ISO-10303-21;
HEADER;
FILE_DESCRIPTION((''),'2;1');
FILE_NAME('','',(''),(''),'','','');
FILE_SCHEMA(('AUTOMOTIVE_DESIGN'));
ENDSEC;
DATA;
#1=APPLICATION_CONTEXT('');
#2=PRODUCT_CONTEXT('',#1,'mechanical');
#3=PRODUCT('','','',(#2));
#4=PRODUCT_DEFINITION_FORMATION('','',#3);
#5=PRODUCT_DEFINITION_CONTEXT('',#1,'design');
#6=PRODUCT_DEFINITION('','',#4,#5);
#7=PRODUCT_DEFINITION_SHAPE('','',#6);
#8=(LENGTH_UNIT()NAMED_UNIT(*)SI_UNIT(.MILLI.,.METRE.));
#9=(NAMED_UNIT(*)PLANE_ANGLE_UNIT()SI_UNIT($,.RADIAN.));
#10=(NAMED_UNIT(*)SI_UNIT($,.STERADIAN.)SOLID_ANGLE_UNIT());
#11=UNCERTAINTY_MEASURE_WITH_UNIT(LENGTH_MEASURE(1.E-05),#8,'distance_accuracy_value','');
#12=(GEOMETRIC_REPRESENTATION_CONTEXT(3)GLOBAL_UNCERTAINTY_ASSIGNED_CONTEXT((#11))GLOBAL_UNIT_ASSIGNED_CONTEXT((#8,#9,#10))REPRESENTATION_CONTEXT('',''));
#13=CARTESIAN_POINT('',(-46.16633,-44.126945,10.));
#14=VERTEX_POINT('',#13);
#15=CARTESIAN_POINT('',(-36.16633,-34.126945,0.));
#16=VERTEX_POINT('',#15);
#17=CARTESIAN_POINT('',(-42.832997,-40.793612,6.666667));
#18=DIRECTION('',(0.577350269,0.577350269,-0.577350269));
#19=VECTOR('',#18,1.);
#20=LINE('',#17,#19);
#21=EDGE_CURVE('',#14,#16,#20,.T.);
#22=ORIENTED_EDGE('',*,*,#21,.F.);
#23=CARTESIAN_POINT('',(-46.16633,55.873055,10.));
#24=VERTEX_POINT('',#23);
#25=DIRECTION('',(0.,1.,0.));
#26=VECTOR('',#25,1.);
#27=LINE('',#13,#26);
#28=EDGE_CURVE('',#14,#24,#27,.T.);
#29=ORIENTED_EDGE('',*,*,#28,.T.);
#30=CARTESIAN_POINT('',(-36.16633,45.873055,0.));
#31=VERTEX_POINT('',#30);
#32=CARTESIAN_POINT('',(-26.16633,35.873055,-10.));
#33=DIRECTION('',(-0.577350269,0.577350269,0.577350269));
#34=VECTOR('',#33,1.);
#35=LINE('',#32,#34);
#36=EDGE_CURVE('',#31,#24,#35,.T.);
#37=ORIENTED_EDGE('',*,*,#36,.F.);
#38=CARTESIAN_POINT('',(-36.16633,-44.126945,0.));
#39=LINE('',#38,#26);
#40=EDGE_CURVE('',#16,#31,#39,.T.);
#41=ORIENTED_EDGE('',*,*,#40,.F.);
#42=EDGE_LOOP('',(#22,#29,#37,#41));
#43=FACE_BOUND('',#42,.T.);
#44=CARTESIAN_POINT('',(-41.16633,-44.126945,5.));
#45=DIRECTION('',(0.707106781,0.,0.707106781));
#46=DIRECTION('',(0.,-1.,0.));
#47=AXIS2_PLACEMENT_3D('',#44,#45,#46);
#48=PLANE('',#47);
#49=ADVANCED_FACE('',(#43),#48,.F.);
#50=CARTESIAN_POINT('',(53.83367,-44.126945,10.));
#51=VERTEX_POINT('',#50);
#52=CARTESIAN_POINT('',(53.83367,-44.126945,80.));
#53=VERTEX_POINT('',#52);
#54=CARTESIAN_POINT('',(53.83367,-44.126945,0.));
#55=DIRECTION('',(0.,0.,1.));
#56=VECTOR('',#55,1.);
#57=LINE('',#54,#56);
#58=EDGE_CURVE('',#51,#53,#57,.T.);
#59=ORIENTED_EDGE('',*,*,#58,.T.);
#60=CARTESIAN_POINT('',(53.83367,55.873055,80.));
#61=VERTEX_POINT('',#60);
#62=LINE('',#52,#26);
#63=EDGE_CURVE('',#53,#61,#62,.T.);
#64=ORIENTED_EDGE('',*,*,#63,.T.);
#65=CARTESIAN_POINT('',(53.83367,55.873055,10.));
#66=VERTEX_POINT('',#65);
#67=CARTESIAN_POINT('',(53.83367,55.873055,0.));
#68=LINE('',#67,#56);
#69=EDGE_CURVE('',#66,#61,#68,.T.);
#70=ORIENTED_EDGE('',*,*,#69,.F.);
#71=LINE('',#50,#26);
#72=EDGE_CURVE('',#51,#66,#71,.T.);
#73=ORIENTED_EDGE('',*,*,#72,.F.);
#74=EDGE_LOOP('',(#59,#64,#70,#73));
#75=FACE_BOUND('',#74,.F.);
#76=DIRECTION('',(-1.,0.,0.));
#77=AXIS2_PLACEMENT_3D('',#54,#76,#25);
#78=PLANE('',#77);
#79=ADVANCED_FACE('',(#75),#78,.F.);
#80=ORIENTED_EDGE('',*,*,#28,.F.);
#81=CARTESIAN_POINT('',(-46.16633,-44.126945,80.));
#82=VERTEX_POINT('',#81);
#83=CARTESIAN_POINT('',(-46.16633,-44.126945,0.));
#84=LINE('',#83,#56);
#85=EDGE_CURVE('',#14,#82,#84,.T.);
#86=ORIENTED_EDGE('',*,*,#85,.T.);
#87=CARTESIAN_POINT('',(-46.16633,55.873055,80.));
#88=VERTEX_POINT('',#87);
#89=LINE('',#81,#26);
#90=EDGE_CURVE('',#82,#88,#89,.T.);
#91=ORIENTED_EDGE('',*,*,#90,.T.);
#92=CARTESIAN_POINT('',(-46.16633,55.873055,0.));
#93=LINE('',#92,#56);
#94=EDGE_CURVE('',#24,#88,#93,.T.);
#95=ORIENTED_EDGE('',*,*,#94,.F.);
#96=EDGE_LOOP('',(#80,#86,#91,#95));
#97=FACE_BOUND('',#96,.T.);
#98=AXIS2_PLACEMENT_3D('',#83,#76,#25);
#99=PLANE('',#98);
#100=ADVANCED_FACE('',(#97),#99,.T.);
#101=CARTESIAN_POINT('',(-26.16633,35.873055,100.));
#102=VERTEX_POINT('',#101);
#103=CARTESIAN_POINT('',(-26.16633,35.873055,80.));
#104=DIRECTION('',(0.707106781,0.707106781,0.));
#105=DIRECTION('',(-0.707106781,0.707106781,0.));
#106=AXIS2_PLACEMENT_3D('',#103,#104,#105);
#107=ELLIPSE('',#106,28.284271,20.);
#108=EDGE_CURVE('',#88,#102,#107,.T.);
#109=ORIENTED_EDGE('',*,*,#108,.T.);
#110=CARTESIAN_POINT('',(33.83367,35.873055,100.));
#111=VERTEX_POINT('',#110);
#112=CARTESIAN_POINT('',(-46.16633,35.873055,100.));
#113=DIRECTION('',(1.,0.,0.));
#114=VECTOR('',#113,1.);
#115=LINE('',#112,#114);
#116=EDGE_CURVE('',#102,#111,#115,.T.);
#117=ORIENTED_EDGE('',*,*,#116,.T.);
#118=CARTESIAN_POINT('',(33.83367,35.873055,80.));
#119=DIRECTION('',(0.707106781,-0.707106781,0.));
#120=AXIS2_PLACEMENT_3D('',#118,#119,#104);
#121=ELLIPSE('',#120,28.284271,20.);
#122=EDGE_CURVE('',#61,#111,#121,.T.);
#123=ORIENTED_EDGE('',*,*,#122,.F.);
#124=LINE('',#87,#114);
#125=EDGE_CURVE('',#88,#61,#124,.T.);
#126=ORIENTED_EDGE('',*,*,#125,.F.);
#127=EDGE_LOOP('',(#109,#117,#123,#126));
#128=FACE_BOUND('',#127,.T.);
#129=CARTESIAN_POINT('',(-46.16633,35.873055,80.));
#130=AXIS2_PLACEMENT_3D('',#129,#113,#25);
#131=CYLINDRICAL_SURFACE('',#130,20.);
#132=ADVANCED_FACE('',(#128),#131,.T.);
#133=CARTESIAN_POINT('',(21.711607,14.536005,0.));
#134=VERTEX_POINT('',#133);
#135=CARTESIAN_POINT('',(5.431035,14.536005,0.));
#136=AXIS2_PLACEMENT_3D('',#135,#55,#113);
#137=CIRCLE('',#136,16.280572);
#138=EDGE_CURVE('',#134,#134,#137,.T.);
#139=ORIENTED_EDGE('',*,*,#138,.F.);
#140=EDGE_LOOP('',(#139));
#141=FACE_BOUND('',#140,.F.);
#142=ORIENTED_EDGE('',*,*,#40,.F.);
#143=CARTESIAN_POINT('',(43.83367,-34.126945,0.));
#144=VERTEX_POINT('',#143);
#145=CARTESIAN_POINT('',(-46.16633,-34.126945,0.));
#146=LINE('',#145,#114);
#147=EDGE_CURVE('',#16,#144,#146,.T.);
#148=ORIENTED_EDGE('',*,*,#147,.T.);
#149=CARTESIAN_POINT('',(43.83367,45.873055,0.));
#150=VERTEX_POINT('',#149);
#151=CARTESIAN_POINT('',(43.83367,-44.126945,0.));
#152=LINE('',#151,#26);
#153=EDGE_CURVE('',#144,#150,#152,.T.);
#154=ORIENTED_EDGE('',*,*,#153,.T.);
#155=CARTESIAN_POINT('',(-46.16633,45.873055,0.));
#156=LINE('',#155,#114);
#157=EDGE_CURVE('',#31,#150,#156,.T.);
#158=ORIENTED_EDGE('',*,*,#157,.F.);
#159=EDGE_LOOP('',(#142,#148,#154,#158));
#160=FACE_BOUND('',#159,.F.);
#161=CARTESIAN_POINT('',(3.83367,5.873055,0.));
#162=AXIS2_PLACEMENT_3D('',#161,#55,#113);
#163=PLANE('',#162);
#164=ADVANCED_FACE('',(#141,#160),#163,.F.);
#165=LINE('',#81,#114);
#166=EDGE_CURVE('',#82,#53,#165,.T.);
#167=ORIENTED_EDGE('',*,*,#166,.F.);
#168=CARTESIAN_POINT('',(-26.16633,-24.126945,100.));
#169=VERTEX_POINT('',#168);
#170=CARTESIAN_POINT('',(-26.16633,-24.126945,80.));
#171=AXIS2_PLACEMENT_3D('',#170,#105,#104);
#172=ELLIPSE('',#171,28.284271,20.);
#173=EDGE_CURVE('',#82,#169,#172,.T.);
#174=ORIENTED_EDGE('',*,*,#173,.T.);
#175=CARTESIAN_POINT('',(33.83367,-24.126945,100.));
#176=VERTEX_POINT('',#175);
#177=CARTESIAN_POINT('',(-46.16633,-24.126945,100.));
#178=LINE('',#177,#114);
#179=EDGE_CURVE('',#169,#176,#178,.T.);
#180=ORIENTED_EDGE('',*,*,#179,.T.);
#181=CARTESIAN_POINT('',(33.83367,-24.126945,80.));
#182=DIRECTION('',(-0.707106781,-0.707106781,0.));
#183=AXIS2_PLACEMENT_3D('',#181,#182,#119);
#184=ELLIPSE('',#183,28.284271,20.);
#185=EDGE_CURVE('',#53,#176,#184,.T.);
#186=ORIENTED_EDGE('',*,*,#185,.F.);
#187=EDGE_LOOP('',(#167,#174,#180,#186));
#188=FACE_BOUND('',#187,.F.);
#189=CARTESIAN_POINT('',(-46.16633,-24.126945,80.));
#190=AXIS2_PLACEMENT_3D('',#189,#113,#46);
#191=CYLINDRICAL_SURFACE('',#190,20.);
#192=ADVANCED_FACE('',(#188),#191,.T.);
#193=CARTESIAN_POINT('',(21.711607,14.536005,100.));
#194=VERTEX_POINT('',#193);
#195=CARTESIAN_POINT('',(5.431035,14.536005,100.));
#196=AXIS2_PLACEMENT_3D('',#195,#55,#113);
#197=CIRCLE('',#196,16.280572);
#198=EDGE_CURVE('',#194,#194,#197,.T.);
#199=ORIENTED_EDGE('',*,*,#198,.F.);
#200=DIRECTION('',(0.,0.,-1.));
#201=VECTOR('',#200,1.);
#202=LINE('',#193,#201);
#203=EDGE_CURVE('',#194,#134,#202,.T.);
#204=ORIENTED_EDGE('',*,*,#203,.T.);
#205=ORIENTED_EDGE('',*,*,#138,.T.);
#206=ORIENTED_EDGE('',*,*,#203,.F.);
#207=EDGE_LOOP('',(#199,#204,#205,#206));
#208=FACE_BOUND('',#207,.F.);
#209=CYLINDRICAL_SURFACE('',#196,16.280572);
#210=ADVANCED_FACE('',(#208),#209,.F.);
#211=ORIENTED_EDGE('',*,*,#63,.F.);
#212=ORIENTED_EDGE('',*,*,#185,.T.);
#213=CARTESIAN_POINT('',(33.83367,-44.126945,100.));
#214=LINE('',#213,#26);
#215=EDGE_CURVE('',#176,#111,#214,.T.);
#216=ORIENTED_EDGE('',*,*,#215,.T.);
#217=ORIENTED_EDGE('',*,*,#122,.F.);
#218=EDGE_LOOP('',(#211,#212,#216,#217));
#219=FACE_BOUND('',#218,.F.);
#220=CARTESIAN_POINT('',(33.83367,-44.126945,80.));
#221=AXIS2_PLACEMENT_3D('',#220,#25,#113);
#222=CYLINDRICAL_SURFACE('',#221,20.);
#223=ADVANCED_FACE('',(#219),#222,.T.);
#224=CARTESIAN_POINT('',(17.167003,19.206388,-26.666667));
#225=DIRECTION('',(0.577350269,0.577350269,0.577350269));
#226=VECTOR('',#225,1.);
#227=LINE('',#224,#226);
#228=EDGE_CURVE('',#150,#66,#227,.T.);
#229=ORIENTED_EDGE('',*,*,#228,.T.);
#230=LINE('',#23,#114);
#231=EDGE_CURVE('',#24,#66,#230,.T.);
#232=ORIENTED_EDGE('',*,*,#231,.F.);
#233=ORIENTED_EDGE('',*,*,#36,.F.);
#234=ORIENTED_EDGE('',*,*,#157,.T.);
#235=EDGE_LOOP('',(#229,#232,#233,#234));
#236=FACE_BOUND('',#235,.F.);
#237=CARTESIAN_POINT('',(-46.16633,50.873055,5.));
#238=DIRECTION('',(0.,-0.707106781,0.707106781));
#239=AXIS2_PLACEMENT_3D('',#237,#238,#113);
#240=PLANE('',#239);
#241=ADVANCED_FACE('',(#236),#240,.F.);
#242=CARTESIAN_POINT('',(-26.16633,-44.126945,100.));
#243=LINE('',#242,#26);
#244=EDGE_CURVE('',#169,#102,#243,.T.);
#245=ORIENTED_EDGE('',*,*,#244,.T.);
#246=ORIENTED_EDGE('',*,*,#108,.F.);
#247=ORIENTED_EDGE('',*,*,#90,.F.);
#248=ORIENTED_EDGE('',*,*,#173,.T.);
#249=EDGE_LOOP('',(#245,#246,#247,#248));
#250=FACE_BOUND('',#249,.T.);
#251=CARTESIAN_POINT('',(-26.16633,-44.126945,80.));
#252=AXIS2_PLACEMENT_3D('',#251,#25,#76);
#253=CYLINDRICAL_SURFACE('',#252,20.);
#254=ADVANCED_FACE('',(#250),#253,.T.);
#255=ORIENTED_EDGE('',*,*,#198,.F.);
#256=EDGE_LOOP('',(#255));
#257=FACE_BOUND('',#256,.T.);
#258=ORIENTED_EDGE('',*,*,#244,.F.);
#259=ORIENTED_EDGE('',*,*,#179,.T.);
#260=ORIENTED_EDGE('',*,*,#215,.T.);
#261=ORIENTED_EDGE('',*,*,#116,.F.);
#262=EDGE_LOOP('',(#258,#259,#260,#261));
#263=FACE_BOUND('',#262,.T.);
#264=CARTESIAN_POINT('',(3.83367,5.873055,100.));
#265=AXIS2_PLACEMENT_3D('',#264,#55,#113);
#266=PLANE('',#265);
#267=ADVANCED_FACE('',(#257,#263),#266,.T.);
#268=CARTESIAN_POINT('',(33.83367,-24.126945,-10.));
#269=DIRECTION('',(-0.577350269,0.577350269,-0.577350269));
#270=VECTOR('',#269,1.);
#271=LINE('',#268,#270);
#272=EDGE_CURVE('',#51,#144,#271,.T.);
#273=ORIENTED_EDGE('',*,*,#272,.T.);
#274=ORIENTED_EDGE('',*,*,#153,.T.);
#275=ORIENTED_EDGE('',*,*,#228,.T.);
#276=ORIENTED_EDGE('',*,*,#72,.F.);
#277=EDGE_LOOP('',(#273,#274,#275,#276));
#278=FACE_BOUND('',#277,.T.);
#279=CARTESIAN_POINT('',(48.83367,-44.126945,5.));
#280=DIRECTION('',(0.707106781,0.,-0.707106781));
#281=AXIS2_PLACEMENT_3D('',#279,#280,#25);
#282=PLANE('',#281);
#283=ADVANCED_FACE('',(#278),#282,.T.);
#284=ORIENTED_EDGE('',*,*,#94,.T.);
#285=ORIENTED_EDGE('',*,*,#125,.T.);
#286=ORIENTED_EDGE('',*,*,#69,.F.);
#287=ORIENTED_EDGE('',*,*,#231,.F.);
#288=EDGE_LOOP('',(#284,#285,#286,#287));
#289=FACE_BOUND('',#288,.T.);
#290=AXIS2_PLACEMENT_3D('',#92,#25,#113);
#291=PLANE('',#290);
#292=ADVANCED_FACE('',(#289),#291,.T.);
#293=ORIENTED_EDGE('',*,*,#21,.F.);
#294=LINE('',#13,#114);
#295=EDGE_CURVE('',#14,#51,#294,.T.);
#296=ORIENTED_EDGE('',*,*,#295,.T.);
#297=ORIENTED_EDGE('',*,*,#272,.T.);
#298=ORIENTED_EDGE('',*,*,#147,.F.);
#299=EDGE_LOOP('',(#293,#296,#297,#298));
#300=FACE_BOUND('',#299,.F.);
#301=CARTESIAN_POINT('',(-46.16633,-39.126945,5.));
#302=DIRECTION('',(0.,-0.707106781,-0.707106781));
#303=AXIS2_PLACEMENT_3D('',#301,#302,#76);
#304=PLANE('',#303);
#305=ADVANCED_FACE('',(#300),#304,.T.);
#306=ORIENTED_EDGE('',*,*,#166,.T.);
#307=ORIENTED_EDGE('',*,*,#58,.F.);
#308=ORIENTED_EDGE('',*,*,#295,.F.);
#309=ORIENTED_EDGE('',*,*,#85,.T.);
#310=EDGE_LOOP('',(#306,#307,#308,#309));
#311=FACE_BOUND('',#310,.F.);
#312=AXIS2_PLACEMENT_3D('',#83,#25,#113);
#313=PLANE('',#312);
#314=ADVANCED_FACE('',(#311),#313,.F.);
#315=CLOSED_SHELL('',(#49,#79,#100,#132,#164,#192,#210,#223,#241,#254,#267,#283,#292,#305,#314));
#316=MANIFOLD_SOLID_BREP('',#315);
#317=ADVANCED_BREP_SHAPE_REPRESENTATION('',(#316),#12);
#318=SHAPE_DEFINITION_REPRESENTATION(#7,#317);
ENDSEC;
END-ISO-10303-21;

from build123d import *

# Parameters (mm, degrees)
F0_W     = 100
F0_H     = 100
F1_DEPTH = 100
F2_R     = 20
F3_SIZE  = 10
F4_R     = 16.280572
F5_DEPTH = 173.821


with BuildPart() as f1:
    # F0 (on Top) → F1 (new body)
    with BuildSketch(Plane.XY):
        with Locations((3.83367, 5.873055)):
            Rectangle(F0_W, F0_H)
    extrude(amount=F1_DEPTH)

    # F2
    f2_edges = [f1.edges().sort_by_distance(p)[0] for p in [
        (-46.16633, 5.873055, 100),
        (3.83367, -44.126945, 100),
        (3.83367, 55.873055, 100),
        (53.83367, 5.873055, 100),
    ]]
    fillet(f2_edges, radius=F2_R)

    # F3
    f3_edges = [f1.edges().sort_by_distance(p)[0] for p in [
        (3.83367, -44.126945, 0),
        (53.83367, 5.873055, 0),
        (3.83367, 55.873055, 0),
        (-46.16633, 5.873055, 0),
    ]]
    chamfer(f3_edges, length=F3_SIZE)

    # F4 (on face) → F5 (cut)
    with BuildSketch(Plane.XY.offset(100)):
        with Locations((5.431035, 14.536005)):
            Circle(F4_R)
    extrude(amount=-F5_DEPTH, mode=Mode.SUBTRACT)


solid = f1.part
